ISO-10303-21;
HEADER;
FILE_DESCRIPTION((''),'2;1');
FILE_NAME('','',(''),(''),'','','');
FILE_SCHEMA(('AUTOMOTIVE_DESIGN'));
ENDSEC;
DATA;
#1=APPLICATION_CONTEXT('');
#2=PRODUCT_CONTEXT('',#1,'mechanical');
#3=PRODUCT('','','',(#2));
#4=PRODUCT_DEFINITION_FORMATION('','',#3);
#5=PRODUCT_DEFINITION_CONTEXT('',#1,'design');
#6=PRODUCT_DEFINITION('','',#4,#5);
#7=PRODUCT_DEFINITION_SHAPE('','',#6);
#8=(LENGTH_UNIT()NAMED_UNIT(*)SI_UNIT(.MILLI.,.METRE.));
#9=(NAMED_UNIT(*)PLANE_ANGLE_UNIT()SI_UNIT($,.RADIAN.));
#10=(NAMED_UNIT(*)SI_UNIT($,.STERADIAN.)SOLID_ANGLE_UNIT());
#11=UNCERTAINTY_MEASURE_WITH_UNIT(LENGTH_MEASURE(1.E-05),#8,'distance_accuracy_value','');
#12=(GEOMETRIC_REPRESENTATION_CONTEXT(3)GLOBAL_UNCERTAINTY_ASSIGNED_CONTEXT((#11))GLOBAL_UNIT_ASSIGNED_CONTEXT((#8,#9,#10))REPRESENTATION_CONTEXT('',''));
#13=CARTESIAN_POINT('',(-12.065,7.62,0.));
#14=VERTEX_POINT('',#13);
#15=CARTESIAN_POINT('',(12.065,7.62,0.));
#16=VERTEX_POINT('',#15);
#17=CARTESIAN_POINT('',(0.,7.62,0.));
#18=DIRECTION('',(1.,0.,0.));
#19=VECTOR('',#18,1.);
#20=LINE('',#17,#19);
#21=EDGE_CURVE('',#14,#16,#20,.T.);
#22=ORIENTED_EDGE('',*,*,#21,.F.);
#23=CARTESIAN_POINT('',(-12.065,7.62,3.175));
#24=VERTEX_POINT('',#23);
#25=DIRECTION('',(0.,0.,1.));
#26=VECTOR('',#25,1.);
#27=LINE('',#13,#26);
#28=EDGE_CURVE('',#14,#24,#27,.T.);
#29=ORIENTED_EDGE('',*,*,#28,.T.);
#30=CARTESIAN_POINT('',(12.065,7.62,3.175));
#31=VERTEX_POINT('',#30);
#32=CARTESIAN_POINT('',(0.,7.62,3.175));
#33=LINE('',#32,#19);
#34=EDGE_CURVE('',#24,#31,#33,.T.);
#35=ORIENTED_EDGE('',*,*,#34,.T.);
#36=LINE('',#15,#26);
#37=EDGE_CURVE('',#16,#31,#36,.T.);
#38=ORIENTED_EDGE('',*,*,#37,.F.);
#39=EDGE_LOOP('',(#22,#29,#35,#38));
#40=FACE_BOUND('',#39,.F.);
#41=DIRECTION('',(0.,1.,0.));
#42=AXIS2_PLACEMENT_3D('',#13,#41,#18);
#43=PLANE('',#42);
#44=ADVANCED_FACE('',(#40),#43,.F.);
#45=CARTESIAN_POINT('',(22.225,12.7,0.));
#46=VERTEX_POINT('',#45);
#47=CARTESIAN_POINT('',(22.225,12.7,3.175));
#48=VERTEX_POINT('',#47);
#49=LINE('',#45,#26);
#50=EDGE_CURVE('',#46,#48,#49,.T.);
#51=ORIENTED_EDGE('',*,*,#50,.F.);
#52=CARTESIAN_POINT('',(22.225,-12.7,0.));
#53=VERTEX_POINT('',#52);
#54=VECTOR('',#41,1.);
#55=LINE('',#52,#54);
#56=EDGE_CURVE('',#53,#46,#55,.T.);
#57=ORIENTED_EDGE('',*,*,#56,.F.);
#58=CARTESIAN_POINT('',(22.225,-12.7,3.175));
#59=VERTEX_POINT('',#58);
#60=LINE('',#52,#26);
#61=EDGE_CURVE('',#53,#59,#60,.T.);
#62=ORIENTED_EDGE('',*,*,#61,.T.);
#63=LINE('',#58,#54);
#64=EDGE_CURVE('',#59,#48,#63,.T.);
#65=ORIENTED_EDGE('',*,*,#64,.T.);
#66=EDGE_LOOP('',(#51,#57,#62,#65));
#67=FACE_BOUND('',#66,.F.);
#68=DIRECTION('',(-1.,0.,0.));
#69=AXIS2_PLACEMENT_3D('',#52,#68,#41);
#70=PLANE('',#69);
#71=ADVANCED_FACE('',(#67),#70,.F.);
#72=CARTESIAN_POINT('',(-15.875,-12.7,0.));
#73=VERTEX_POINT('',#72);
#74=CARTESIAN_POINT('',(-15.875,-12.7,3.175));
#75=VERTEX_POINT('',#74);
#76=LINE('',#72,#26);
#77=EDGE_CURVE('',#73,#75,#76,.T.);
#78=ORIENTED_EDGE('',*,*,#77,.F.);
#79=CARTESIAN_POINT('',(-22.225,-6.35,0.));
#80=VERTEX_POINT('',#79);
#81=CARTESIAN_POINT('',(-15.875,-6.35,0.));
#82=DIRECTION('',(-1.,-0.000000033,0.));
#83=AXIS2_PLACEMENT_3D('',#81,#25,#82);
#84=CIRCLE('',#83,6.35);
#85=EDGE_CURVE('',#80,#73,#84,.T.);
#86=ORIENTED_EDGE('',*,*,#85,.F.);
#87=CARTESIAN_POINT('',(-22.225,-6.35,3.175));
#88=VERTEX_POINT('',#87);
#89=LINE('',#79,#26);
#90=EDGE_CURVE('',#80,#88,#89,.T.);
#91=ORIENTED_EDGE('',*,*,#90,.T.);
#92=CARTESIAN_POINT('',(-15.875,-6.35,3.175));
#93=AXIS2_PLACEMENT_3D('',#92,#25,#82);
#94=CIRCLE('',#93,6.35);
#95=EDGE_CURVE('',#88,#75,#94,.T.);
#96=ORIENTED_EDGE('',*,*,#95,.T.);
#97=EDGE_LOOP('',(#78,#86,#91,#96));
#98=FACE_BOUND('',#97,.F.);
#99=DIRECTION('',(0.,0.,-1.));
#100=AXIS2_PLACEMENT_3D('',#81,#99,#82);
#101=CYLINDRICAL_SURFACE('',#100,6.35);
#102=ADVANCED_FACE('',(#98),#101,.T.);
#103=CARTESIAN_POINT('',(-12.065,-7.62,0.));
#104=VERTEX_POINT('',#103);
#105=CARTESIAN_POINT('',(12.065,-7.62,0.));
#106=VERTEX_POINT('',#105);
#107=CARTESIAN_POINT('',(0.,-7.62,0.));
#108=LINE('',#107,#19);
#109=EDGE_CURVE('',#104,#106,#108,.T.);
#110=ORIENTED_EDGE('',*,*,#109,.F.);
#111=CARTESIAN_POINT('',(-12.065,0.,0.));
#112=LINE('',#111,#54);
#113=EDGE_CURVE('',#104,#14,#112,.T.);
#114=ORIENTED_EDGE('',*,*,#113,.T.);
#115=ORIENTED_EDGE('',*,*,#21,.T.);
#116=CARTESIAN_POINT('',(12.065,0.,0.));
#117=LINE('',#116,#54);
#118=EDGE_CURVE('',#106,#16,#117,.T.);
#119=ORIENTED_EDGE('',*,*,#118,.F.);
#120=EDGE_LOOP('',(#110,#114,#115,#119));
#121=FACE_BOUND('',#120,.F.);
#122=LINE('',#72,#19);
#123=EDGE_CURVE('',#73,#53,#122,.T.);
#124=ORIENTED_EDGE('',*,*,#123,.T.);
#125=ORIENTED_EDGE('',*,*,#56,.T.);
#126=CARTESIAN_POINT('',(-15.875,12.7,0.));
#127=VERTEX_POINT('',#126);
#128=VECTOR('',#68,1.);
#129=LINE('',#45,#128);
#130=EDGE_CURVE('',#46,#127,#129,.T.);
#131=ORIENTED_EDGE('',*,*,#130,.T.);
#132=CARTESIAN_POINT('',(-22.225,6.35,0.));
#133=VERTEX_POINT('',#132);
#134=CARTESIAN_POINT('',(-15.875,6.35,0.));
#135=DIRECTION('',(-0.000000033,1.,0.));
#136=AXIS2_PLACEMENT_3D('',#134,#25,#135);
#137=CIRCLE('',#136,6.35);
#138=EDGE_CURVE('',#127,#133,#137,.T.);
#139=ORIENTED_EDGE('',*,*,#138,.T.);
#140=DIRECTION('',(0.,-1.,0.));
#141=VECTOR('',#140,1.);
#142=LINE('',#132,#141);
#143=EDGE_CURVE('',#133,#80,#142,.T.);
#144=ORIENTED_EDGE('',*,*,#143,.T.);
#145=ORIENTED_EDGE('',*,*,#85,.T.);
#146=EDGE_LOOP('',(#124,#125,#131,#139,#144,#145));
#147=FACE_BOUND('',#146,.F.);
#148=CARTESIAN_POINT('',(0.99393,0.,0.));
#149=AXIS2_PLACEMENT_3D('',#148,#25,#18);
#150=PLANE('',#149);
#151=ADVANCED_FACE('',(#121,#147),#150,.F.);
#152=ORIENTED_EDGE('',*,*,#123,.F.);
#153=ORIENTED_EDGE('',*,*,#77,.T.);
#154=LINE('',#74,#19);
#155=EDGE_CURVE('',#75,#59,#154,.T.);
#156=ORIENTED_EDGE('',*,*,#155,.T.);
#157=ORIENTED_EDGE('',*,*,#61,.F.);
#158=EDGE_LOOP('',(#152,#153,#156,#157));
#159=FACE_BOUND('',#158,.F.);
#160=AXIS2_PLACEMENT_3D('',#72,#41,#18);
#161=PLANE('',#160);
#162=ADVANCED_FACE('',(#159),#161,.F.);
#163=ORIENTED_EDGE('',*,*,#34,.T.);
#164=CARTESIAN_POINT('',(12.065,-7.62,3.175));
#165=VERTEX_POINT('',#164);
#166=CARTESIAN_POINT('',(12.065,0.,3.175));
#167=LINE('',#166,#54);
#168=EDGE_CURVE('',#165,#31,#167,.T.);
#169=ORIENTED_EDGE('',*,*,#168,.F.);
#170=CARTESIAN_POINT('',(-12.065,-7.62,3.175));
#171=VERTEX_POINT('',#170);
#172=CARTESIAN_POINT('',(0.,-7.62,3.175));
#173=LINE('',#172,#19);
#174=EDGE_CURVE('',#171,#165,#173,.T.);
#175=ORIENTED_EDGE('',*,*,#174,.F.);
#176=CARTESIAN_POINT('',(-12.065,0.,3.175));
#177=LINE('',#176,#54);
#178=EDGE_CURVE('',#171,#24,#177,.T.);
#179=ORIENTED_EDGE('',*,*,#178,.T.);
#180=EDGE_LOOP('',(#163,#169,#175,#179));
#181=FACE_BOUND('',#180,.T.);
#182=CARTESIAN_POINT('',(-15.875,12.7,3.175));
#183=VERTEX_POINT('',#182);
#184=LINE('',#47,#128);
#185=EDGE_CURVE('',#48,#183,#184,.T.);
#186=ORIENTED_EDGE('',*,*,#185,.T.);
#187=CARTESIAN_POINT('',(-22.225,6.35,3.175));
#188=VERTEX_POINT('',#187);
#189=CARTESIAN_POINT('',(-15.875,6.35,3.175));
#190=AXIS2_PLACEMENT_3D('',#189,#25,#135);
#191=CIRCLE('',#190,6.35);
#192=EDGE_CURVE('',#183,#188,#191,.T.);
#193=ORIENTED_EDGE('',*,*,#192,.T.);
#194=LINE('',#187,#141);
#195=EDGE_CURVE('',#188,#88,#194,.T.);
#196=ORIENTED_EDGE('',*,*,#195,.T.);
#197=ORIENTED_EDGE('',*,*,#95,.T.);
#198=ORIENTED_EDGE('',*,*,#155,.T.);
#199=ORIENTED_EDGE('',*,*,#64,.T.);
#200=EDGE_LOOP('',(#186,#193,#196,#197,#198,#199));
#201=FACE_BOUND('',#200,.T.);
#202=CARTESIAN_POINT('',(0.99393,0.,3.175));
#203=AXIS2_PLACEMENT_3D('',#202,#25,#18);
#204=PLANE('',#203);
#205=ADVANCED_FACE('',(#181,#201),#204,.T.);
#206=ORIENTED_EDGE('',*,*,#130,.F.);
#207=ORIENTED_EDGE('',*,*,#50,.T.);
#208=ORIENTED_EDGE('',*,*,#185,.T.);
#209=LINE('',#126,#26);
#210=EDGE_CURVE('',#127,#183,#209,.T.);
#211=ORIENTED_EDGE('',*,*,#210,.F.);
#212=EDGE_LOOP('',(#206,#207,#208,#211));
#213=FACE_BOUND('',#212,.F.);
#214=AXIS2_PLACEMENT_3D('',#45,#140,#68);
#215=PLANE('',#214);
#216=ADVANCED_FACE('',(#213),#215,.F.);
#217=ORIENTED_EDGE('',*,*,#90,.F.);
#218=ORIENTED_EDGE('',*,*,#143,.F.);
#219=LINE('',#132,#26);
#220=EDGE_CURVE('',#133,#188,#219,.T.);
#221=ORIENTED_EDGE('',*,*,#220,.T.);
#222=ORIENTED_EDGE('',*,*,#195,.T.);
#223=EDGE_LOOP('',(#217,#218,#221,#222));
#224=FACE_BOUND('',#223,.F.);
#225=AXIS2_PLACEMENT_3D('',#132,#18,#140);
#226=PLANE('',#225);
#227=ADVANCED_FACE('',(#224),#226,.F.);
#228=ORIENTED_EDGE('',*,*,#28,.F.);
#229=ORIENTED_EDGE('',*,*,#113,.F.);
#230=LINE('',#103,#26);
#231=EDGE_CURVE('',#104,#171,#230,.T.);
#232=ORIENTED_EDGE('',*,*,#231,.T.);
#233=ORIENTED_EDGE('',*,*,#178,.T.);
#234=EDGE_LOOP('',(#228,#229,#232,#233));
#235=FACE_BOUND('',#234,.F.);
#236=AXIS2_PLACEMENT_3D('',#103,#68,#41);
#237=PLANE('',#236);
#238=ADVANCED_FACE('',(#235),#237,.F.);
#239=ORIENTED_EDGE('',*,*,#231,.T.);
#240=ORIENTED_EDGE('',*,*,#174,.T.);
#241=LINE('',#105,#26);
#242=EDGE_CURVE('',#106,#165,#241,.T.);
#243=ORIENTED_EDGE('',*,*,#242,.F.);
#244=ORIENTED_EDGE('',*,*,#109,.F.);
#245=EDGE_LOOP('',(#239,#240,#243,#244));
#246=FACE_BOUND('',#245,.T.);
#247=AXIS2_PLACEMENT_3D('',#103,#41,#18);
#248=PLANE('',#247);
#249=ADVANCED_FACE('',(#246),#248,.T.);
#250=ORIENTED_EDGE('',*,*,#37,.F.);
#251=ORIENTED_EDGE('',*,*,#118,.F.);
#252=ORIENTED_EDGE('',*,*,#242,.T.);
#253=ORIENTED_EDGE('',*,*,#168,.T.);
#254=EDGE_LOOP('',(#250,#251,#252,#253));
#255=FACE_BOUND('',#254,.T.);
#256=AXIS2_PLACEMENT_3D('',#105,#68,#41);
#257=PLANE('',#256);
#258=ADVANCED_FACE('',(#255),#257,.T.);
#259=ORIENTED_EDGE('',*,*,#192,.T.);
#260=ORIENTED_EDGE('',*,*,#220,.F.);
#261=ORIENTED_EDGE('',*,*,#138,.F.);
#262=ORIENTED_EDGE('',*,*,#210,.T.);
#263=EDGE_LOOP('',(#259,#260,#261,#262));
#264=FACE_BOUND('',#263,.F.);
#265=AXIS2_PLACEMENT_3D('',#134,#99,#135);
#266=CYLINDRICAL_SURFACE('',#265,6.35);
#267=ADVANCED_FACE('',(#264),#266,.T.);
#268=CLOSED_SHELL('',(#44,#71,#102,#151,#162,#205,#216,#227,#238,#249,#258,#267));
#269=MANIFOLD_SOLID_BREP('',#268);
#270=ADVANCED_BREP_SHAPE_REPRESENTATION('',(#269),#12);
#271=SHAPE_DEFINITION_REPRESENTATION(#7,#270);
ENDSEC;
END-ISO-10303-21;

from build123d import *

# Parameters (mm, degrees)
F0_W     = 24.13
F0_H     = 15.24
F1_DEPTH = 3.175


with BuildPart() as f1:
    # F0 (on Top) → F1 (new body)
    with BuildSketch(Plane.XY):
        with BuildLine():
            ThreePointArc((-22.225, -6.35), (-20.365128, -10.840128), (-15.875, -12.7))
            Line((-15.875, -12.7), (22.225, -12.7))
            Line((22.225, -12.7), (22.225, 12.7))
            Line((22.225, 12.7), (-15.875, 12.7))
            ThreePointArc((-15.875, 12.7), (-20.365128, 10.840128), (-22.225, 6.35))
            Line((-22.225, 6.35), (-22.225, -6.35))
        make_face()
        Rectangle(F0_W, F0_H, mode=Mode.SUBTRACT)
    extrude(amount=F1_DEPTH)


solid = f1.part
